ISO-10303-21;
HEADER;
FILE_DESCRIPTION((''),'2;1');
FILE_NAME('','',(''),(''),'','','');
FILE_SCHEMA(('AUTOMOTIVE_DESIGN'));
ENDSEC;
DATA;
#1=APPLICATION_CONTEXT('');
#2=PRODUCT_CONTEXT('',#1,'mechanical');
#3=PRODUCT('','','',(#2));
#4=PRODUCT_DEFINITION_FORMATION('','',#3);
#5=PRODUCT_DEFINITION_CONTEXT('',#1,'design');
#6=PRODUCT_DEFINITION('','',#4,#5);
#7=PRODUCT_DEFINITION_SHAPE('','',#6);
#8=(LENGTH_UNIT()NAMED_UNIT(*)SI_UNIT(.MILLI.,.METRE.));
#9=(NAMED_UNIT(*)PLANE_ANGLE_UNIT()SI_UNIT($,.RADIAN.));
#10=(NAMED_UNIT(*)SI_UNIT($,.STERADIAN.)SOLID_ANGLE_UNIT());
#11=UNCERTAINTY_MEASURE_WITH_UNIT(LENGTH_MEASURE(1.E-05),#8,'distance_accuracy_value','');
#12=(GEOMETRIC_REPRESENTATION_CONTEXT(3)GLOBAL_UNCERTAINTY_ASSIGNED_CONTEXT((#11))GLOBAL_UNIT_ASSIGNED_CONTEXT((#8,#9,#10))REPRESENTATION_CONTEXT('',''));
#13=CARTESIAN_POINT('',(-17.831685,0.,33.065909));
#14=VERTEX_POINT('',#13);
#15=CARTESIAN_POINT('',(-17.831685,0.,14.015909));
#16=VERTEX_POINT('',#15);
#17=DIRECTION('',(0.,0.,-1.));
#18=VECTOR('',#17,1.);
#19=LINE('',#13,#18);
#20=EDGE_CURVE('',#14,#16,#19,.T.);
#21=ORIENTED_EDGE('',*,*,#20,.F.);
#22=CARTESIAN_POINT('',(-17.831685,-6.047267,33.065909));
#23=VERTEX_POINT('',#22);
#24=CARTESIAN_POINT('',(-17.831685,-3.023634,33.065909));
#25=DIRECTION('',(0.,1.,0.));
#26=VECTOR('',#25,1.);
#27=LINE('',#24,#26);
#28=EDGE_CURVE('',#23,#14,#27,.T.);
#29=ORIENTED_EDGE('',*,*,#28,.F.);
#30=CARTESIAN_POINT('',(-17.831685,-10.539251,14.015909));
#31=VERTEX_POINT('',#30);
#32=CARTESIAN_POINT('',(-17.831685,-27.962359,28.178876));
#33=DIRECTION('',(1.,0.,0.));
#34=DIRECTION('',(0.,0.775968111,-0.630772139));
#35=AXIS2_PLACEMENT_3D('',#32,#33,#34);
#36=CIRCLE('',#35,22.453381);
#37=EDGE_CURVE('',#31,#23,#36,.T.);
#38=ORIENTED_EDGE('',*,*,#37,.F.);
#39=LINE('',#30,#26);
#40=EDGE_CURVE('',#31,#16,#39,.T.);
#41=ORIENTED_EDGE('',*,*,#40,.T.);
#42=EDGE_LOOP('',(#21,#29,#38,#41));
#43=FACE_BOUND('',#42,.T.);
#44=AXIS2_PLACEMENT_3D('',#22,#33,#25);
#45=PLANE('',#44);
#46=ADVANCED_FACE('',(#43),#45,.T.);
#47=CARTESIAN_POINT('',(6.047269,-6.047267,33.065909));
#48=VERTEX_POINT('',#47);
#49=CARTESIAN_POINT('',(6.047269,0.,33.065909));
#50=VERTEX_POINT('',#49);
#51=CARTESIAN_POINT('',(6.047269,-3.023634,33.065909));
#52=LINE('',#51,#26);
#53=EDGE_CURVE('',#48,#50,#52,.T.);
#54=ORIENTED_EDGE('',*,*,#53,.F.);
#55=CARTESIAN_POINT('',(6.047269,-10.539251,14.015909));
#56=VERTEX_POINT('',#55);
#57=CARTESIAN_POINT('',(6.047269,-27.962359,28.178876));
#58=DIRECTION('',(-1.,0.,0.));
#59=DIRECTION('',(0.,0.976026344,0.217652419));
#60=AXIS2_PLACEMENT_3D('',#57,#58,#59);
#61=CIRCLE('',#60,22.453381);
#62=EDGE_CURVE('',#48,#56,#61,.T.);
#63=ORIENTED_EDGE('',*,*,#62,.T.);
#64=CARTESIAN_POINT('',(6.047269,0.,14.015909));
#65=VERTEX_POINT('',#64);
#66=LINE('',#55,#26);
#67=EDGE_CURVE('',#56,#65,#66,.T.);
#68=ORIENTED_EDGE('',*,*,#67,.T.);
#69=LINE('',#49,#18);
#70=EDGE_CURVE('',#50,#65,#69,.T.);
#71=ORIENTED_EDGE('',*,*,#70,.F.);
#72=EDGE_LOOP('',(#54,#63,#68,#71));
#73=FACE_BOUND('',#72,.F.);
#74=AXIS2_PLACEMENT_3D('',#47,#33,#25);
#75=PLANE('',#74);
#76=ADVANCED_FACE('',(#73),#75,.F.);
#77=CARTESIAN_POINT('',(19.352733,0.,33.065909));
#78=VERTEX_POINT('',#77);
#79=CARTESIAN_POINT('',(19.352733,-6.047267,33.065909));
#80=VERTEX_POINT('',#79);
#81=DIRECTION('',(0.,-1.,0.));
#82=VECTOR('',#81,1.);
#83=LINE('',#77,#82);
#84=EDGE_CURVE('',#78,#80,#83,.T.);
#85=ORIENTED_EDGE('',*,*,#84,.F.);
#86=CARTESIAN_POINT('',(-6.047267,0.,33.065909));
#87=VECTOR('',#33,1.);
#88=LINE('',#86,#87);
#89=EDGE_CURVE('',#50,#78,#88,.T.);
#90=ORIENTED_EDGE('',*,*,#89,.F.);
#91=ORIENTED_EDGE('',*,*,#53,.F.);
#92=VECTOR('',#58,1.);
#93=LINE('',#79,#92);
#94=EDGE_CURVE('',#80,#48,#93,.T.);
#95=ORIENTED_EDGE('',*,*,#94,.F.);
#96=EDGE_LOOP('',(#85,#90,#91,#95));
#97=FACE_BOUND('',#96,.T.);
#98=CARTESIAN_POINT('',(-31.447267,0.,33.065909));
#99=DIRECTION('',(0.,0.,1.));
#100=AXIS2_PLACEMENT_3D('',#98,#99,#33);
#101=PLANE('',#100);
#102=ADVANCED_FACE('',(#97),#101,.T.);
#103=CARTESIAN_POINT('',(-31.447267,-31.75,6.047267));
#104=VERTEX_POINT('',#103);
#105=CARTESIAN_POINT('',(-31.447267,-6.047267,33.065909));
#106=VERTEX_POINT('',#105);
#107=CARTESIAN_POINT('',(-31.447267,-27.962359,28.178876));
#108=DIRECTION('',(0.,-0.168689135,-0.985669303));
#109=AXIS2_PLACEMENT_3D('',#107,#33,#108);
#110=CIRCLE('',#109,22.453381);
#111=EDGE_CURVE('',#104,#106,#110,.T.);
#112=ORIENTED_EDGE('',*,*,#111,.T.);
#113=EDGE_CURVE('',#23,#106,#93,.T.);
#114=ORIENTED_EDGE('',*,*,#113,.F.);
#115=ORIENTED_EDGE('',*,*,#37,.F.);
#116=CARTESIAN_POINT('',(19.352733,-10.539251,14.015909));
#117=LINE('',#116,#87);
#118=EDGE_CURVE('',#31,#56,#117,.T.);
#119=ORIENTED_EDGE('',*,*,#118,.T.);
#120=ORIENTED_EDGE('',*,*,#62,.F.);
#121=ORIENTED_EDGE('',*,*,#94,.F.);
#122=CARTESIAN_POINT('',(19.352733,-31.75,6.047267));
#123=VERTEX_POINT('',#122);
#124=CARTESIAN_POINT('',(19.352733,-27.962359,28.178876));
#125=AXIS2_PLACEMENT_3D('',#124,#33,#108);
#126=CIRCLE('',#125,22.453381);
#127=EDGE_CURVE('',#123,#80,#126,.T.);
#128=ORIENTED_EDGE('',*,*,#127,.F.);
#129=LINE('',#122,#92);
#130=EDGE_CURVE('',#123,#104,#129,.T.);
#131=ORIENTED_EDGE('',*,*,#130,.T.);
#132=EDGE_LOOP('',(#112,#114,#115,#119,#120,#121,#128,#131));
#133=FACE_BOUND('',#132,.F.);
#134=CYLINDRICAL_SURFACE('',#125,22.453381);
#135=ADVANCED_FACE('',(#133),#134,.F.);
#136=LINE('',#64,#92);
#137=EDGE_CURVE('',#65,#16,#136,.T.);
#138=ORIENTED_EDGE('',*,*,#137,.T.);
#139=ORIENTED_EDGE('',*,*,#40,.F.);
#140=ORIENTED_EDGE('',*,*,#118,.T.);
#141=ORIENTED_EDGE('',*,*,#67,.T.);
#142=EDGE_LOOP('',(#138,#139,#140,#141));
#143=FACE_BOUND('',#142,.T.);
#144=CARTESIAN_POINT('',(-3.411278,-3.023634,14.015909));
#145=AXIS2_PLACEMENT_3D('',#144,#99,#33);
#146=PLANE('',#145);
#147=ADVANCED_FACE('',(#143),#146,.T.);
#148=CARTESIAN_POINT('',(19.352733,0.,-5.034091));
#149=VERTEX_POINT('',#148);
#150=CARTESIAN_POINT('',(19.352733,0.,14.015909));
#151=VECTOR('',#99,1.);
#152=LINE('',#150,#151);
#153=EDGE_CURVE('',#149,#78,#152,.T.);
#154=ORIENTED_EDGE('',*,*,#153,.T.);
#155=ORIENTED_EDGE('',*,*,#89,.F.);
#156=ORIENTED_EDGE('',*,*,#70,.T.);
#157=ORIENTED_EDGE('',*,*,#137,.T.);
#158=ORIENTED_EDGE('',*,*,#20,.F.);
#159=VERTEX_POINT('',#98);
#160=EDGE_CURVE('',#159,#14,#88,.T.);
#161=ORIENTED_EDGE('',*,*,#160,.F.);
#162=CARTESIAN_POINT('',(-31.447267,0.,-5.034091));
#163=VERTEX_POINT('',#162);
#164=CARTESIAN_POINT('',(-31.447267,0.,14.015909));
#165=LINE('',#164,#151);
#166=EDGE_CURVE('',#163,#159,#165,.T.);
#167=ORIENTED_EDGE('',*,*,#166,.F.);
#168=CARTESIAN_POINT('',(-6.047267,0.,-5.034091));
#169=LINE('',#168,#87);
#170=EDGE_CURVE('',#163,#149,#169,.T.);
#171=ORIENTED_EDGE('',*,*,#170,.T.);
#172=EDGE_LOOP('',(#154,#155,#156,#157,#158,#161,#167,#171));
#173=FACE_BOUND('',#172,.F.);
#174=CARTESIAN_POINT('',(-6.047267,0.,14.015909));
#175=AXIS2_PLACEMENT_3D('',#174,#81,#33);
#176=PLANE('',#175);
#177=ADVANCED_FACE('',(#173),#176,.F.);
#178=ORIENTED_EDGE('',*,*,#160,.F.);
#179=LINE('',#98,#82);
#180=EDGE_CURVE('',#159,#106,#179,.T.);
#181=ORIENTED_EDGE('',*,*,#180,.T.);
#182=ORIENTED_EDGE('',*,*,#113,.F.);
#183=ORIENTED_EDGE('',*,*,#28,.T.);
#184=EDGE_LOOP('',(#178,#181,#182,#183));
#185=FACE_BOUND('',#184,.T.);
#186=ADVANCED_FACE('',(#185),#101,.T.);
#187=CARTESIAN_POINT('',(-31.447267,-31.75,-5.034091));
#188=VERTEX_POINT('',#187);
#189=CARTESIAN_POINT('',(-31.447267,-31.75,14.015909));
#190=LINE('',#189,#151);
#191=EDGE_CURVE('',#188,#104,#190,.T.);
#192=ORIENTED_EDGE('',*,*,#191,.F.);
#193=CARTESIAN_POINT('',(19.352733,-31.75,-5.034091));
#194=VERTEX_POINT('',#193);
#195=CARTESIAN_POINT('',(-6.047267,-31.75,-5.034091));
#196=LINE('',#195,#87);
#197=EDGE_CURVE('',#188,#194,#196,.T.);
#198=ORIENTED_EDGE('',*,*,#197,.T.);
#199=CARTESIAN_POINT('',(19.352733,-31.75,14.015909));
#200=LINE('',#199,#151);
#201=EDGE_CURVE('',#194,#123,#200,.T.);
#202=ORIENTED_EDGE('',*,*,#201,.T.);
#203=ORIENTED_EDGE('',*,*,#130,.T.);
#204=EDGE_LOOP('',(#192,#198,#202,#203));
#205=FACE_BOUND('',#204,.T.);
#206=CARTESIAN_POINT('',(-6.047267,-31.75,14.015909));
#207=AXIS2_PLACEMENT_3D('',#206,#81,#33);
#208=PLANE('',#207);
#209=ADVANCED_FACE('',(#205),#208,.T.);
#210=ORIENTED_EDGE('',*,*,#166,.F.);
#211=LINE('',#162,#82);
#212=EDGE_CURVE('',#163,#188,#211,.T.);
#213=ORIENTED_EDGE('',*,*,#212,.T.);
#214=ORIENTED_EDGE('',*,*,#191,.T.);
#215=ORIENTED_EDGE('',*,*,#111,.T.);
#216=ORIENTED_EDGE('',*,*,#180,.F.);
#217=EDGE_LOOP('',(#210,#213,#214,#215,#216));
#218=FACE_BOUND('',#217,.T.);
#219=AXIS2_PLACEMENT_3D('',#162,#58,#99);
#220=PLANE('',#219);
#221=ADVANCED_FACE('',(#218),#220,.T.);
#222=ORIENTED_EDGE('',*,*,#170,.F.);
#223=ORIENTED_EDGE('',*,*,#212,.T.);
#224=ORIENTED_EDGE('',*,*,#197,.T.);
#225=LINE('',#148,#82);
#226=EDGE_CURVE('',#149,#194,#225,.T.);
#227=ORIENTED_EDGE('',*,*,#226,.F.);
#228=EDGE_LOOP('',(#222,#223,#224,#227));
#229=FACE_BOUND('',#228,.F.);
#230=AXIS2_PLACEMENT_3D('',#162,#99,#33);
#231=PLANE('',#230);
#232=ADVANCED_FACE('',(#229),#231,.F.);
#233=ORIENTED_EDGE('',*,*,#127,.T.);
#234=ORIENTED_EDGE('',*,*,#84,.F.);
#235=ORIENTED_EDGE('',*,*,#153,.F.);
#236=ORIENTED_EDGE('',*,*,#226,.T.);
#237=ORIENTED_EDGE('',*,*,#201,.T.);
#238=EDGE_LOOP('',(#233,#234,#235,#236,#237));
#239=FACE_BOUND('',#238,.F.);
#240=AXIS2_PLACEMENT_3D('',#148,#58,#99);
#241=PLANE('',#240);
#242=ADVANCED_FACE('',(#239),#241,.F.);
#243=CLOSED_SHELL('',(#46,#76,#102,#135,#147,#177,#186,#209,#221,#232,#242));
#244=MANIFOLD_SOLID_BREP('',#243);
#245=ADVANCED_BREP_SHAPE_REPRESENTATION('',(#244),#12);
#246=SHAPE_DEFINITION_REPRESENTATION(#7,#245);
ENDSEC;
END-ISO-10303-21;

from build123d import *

# Parameters (mm, degrees)
F0_W     = 50.8
F0_H     = 38.1
F1_DEPTH = 31.75
F3_DEPTH = 50.8
F4_W     = 18.9170949161
F4_H     = 6.0472670011
F4_W_2   = 4.9618594348
F5_DEPTH = 19.05
F6_DEPTH = 25.4


with BuildPart() as f1:
    # F0 (on Front) → F1 (new body)
    with BuildSketch(Plane.XZ):
        with Locations((-6.0472674668, 14.0159087854)):
            Rectangle(F0_W, F0_H)
    extrude(amount=F1_DEPTH)

    # F2 (on face) → F3 (cut)
    with BuildSketch(Plane.YZ.offset(19.3527325332)):
        with BuildLine():
            Line((-31.75, 33.0659087854), (-31.75, 6.0472674668))
            ThreePointArc((-31.75, 6.0472674668), (-11.6942038752, 12.7030410182), (-6.0472670011, 33.0659087854))
            Line((-6.0472670011, 33.0659087854), (-31.75, 33.0659087854))
        make_face()
    extrude(amount=-F3_DEPTH, mode=Mode.SUBTRACT)

    # F4 (on face) → F5 (cut)
    with BuildSketch(Plane.XY.offset(33.0659087854)):
        with Locations((-3.4112781286, -3.0236335006)):
            Rectangle(F4_W, F4_H)
        with Locations((-15.3507553041, -3.0236335006)):
            Rectangle(F4_W_2, F4_H)
    extrude(amount=-F5_DEPTH, mode=Mode.SUBTRACT)

    # F6 (cut): a face of the model
    f6_faces = [f1.faces().sort_by_distance(p)[0] for p in [
        (-5.892207846, -6.0472670011, 18.653876051),
    ]]
    extrude(f6_faces, amount=-F6_DEPTH, mode=Mode.SUBTRACT)


solid = f1.part
